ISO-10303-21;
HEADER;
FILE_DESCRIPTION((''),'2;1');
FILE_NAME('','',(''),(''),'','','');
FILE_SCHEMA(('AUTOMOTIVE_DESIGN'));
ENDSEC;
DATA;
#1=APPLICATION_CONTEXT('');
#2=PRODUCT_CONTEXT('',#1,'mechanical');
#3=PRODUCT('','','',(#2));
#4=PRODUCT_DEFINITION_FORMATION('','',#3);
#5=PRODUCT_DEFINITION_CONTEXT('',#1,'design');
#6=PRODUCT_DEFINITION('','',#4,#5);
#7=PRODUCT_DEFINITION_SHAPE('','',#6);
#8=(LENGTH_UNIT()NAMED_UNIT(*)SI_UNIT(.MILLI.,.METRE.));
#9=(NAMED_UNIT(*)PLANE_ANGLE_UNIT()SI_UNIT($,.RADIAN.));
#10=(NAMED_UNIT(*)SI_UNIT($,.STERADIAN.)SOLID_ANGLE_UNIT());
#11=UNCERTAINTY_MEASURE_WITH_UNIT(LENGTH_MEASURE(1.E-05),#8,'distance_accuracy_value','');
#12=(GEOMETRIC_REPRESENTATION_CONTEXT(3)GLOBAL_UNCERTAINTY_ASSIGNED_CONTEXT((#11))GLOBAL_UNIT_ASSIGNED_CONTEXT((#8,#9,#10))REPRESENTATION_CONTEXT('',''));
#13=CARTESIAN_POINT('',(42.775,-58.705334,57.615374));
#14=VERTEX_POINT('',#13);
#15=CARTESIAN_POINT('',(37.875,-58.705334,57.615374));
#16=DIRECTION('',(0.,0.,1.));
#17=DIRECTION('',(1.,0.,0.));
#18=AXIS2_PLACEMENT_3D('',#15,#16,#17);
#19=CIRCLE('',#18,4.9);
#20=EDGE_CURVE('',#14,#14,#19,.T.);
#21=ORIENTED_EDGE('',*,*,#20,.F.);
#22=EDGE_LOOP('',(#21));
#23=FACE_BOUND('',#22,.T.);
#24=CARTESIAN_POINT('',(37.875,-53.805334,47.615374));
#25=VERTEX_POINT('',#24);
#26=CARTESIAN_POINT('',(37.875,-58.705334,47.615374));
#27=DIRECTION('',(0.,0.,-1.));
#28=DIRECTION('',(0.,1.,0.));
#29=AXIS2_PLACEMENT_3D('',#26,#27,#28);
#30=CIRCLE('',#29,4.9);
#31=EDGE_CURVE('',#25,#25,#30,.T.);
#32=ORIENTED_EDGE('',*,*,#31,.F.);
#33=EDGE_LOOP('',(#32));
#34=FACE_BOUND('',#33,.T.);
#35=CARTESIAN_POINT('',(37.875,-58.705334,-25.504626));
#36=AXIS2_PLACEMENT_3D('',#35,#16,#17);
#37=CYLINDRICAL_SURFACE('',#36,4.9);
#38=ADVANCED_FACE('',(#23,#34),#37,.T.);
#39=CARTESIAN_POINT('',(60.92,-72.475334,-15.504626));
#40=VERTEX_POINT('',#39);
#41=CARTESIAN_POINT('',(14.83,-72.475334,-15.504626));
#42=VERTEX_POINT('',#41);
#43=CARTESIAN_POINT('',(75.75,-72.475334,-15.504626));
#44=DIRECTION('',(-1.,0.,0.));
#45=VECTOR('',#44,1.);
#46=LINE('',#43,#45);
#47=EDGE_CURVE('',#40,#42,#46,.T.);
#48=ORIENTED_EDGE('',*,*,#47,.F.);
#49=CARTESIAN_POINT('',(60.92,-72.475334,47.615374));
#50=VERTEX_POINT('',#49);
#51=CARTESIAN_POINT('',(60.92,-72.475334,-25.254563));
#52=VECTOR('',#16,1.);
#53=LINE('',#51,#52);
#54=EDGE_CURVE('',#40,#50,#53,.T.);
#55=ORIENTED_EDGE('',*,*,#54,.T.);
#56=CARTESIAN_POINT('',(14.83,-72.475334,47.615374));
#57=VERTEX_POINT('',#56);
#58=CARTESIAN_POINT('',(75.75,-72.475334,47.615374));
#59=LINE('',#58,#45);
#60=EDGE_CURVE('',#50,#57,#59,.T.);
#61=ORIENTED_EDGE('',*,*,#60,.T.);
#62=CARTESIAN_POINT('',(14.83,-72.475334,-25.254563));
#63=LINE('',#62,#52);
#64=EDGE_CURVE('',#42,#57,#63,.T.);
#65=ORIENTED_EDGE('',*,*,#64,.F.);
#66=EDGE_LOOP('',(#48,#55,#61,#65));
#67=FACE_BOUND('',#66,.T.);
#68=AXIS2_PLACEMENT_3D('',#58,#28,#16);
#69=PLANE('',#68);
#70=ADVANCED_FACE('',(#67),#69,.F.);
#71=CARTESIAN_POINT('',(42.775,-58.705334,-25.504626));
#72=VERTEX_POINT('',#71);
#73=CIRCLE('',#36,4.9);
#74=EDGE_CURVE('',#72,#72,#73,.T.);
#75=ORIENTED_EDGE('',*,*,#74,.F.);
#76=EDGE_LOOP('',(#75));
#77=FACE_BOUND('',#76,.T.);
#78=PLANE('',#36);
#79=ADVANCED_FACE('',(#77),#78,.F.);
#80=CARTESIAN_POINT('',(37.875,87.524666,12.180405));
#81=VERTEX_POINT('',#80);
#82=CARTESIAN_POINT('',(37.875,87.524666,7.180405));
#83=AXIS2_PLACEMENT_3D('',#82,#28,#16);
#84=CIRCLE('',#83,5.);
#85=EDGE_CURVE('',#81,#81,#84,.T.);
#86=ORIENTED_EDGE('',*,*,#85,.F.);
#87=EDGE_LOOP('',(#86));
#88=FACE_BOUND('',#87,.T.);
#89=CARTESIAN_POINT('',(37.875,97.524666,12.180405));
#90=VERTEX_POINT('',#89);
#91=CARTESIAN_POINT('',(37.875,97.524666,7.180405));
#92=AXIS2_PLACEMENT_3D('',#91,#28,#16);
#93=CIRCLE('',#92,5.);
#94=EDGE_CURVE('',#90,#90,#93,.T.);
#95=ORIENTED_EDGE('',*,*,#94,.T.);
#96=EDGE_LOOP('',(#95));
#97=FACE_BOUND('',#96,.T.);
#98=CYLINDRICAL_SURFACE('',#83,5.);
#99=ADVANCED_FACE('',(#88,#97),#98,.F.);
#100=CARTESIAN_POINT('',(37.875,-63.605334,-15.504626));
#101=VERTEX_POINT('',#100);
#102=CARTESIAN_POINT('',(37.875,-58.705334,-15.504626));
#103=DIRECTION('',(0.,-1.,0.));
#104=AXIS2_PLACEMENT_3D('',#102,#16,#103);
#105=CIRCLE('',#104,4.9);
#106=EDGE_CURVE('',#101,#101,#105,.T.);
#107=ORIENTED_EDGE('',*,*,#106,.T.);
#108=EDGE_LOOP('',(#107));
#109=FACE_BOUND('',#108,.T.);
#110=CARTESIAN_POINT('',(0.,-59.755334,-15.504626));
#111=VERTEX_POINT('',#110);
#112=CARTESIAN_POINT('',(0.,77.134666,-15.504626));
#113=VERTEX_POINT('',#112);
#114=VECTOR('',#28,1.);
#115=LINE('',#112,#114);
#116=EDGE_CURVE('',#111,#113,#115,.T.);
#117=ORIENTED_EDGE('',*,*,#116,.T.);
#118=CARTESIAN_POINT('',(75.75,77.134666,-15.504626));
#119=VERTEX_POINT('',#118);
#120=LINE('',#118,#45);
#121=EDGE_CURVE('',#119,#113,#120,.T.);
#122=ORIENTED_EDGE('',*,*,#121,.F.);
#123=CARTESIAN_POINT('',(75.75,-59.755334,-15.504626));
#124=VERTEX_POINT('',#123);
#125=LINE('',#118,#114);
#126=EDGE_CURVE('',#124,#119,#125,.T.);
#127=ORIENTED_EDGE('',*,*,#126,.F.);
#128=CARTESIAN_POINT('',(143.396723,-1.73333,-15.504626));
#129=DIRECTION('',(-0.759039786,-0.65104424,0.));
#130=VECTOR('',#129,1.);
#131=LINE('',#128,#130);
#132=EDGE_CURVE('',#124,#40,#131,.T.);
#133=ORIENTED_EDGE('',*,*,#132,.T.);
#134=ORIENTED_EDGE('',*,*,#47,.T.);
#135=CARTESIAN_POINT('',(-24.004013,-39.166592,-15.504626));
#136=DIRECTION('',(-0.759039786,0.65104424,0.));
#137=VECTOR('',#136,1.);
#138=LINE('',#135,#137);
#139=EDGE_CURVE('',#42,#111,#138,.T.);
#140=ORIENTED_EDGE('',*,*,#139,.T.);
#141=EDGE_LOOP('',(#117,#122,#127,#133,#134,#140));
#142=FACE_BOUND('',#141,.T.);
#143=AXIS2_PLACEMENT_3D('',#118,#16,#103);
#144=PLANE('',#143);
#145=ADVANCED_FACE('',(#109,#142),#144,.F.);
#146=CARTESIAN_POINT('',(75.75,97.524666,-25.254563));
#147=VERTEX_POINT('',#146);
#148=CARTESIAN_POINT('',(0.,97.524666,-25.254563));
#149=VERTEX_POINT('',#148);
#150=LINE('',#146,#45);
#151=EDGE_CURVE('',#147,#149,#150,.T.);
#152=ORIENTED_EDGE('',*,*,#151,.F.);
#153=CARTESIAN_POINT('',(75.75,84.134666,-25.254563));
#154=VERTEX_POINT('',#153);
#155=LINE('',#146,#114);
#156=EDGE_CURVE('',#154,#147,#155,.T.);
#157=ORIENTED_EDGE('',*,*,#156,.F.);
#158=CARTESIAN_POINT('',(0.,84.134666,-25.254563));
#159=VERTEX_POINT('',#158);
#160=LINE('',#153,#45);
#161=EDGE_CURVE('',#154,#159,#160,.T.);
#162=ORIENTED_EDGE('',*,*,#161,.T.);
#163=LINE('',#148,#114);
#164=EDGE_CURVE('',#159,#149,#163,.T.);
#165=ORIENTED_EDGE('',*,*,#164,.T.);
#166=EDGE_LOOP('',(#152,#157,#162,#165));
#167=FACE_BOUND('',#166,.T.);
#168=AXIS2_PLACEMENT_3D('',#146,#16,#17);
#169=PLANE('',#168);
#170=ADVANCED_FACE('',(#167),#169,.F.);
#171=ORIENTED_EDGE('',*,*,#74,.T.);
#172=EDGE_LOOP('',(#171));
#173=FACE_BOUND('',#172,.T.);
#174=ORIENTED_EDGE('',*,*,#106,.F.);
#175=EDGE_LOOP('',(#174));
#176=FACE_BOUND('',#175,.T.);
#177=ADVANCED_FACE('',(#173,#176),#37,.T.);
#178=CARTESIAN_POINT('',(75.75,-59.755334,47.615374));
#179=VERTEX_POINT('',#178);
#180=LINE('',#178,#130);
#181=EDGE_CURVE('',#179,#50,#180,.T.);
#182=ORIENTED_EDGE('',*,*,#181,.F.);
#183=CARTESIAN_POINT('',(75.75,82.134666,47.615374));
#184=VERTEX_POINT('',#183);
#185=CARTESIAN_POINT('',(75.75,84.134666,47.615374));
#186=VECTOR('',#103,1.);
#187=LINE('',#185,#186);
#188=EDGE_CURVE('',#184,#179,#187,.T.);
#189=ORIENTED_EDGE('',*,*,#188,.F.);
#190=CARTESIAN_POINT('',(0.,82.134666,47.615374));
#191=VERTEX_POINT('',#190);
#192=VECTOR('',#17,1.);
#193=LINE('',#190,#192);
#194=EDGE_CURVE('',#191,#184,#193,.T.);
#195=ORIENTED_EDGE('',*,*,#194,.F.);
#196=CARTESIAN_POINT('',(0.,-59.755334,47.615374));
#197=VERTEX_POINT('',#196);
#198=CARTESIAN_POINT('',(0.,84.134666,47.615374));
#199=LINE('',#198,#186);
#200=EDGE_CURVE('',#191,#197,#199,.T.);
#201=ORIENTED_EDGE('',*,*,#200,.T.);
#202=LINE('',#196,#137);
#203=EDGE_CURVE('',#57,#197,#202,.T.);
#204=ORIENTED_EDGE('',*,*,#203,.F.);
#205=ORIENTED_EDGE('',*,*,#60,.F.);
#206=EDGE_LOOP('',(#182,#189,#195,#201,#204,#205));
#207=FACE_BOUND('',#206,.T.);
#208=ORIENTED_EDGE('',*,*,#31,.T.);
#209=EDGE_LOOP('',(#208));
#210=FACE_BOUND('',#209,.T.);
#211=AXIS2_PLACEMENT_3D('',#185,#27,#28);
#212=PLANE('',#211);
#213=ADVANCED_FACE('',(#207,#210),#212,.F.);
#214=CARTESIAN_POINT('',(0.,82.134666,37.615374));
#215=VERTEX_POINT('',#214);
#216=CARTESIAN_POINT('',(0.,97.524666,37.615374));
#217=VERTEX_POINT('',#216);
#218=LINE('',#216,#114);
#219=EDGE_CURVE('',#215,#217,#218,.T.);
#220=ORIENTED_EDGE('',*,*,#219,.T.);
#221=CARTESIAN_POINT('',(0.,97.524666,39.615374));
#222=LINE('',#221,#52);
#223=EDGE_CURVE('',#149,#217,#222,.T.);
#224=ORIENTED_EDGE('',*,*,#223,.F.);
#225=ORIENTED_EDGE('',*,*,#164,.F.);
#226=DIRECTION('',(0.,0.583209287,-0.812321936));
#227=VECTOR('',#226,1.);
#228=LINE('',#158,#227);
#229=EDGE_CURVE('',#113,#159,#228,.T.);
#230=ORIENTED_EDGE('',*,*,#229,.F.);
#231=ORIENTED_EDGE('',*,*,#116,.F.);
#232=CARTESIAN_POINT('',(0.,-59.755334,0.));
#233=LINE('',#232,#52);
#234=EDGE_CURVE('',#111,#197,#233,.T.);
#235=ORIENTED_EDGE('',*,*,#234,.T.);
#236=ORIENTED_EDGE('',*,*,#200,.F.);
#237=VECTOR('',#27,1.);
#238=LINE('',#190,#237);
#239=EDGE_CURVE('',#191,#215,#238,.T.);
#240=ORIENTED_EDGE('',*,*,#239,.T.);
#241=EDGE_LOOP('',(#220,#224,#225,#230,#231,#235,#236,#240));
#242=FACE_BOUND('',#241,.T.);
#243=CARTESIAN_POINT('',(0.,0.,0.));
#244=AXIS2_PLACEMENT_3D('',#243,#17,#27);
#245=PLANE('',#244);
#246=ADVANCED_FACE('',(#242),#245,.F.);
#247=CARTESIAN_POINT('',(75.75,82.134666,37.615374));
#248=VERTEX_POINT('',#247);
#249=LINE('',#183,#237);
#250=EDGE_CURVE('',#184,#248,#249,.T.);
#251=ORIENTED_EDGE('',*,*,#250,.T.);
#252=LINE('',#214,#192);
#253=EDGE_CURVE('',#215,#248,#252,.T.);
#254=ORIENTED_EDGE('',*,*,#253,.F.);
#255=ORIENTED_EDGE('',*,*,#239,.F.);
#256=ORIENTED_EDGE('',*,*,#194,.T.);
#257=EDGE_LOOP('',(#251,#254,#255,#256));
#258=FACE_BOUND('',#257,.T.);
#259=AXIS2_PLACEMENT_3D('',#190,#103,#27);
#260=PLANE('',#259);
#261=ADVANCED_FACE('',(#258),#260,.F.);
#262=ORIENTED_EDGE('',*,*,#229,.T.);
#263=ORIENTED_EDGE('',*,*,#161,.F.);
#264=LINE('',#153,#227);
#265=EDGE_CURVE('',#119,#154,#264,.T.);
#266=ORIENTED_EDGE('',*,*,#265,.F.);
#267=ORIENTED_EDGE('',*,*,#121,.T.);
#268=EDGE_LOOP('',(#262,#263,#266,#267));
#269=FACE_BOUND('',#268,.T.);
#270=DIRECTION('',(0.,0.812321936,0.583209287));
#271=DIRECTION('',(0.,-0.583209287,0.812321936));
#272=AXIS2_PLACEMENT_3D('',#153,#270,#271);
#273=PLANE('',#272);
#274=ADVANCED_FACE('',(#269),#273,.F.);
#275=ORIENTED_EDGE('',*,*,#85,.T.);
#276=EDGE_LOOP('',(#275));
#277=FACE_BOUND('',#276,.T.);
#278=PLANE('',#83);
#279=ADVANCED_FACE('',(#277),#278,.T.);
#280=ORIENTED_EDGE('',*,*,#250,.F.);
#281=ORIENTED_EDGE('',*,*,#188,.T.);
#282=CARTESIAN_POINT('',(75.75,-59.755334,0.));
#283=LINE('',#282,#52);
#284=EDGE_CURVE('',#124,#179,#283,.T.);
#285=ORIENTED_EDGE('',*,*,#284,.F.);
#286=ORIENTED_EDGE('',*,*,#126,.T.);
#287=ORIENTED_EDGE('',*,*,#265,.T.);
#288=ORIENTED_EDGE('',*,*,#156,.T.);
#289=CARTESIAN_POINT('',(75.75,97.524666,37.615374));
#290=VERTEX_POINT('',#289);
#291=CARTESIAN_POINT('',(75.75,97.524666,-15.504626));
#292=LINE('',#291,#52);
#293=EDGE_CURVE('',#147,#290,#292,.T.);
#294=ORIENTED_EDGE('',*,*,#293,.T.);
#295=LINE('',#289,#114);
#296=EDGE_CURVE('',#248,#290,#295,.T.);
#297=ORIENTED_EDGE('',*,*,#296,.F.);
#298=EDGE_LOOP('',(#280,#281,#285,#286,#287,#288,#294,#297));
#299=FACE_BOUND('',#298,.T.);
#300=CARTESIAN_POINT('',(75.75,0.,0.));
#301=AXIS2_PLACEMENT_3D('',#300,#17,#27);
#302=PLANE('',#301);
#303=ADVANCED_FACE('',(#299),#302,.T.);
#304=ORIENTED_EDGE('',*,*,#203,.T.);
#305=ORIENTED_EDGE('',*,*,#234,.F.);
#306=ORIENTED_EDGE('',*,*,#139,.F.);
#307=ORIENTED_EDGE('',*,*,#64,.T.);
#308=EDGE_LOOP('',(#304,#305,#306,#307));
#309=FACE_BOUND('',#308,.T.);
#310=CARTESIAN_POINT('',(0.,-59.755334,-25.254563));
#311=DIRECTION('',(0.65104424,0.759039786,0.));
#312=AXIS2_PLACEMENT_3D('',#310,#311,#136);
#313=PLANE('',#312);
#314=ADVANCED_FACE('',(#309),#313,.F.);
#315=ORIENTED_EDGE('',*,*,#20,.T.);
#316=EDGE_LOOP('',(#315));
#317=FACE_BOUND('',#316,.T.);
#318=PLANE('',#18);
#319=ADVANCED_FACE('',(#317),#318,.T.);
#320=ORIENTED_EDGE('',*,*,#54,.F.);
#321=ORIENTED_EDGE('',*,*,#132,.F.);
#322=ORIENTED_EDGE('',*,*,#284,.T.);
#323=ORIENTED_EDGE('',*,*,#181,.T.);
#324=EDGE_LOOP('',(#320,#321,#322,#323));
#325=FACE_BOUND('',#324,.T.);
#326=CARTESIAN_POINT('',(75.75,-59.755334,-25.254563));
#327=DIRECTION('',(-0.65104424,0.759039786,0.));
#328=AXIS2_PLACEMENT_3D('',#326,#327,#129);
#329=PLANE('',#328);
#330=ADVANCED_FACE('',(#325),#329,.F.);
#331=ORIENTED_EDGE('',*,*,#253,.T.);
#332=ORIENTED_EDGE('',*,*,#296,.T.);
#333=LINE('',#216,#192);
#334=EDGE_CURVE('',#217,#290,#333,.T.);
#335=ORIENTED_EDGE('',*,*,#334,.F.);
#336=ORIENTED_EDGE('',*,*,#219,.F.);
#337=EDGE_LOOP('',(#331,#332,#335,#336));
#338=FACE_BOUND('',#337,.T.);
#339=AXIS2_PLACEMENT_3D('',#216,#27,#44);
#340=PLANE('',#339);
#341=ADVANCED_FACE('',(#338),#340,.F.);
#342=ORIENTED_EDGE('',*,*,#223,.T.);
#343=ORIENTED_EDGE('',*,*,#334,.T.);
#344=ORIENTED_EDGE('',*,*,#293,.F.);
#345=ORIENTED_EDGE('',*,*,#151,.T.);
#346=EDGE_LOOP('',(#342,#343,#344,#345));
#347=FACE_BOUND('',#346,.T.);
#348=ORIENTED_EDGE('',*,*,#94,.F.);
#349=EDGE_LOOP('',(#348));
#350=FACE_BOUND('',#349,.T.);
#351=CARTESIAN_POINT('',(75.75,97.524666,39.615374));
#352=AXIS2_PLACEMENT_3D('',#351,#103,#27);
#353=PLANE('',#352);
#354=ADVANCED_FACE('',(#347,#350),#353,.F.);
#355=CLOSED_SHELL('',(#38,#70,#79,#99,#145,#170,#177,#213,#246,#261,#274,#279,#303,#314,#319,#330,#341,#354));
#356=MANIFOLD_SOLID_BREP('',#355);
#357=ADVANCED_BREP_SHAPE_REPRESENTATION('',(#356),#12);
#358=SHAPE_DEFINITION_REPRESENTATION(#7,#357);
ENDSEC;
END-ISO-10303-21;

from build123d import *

# Parameters (mm, degrees)
BOSS_EXTRUDE1_DEPTH      = 75.75
CUT_EXTRUDE1_DEPTH       = 144.384624803
BOSS_EXTRUDE2_DEPTH      = 10
BOSS_EXTRUDE2_DEPTH_BACK = 73.12
SKETCH3_R                = 4.9
SKETCH4_R                = 5
CUT_EXTRUDE2_DEPTH       = 10
SKETCH5_W                = 2
SKETCH5_H                = 13.39
CUT_EXTRUDE3_DEPTH       = 137.266849467
SKETCH6_W                = 10
SKETCH6_H                = 2
CUT_EXTRUDE4_DEPTH       = 137.266849467


with BuildPart() as part:
    # Sketch1 → Boss-Extrude1 (new body)
    with BuildSketch(Plane(origin=(0, 0, 0), x_dir=(0, 0, -1), z_dir=(1, 0, 0))):
        Polygon((-39.615373705, 97.524665991), (15.504626295, 97.524665991), (25.254562849, 97.524665991), (25.254562849, 84.134665991), (15.504626295, 77.134665991), (15.504626295, -72.475334009), (-47.615373705, -72.475334009), (-47.615373705, 84.134665991), (-39.615373705, 84.134665991), align=None)
    extrude(amount=BOSS_EXTRUDE1_DEPTH)

    # Sketch2 → Cut-Extrude1 (cut, through all)
    with BuildSketch(Plane.XY.offset(47.615373705)):
        Polygon((0, -59.755334009), (14.83, -72.475334009), (0, -72.475334009), align=None)
        Polygon((75.75, -59.755334009), (60.92, -72.475334009), (75.75, -72.475334009), align=None)
    extrude(amount=-CUT_EXTRUDE1_DEPTH, mode=Mode.SUBTRACT)

    # Sketch3 → Boss-Extrude2 (add, two sides: drawn at the far end of the back side and taken through both)
    with BuildSketch(Plane.XY.offset(47.615373705).offset(-BOSS_EXTRUDE2_DEPTH_BACK)):
        with Locations((37.875, -58.705334009)):
            Circle(SKETCH3_R)
    extrude(amount=BOSS_EXTRUDE2_DEPTH + BOSS_EXTRUDE2_DEPTH_BACK)

    # Sketch4 → Cut-Extrude2 (cut)
    with BuildSketch(Plane(origin=(0, 97.524665991, 0), x_dir=(1, 0, 0), z_dir=(0, 1, 0))):
        with Locations(Location((37.875, -7.180405428, 0), (0, 0, 270))):
            Circle(SKETCH4_R)
    extrude(amount=-CUT_EXTRUDE2_DEPTH, mode=Mode.SUBTRACT)

    # Sketch5 → Cut-Extrude3 (cut, through all)
    with BuildSketch(Plane(origin=(75.75, 0, 0), x_dir=(0, 0, -1), z_dir=(1, 0, 0))):
        with Locations((-38.615373705, 90.829665991)):
            Rectangle(SKETCH5_W, SKETCH5_H)
    extrude(amount=-CUT_EXTRUDE3_DEPTH, mode=Mode.SUBTRACT)

    # Sketch6 → Cut-Extrude4 (cut, through all)
    with BuildSketch(Plane(origin=(75.75, 0, 0), x_dir=(0, 0, -1), z_dir=(1, 0, 0))):
        with Locations((-42.615373705, 83.134665991)):
            Rectangle(SKETCH6_W, SKETCH6_H)
    extrude(amount=-CUT_EXTRUDE4_DEPTH, mode=Mode.SUBTRACT)


solid = part.part
